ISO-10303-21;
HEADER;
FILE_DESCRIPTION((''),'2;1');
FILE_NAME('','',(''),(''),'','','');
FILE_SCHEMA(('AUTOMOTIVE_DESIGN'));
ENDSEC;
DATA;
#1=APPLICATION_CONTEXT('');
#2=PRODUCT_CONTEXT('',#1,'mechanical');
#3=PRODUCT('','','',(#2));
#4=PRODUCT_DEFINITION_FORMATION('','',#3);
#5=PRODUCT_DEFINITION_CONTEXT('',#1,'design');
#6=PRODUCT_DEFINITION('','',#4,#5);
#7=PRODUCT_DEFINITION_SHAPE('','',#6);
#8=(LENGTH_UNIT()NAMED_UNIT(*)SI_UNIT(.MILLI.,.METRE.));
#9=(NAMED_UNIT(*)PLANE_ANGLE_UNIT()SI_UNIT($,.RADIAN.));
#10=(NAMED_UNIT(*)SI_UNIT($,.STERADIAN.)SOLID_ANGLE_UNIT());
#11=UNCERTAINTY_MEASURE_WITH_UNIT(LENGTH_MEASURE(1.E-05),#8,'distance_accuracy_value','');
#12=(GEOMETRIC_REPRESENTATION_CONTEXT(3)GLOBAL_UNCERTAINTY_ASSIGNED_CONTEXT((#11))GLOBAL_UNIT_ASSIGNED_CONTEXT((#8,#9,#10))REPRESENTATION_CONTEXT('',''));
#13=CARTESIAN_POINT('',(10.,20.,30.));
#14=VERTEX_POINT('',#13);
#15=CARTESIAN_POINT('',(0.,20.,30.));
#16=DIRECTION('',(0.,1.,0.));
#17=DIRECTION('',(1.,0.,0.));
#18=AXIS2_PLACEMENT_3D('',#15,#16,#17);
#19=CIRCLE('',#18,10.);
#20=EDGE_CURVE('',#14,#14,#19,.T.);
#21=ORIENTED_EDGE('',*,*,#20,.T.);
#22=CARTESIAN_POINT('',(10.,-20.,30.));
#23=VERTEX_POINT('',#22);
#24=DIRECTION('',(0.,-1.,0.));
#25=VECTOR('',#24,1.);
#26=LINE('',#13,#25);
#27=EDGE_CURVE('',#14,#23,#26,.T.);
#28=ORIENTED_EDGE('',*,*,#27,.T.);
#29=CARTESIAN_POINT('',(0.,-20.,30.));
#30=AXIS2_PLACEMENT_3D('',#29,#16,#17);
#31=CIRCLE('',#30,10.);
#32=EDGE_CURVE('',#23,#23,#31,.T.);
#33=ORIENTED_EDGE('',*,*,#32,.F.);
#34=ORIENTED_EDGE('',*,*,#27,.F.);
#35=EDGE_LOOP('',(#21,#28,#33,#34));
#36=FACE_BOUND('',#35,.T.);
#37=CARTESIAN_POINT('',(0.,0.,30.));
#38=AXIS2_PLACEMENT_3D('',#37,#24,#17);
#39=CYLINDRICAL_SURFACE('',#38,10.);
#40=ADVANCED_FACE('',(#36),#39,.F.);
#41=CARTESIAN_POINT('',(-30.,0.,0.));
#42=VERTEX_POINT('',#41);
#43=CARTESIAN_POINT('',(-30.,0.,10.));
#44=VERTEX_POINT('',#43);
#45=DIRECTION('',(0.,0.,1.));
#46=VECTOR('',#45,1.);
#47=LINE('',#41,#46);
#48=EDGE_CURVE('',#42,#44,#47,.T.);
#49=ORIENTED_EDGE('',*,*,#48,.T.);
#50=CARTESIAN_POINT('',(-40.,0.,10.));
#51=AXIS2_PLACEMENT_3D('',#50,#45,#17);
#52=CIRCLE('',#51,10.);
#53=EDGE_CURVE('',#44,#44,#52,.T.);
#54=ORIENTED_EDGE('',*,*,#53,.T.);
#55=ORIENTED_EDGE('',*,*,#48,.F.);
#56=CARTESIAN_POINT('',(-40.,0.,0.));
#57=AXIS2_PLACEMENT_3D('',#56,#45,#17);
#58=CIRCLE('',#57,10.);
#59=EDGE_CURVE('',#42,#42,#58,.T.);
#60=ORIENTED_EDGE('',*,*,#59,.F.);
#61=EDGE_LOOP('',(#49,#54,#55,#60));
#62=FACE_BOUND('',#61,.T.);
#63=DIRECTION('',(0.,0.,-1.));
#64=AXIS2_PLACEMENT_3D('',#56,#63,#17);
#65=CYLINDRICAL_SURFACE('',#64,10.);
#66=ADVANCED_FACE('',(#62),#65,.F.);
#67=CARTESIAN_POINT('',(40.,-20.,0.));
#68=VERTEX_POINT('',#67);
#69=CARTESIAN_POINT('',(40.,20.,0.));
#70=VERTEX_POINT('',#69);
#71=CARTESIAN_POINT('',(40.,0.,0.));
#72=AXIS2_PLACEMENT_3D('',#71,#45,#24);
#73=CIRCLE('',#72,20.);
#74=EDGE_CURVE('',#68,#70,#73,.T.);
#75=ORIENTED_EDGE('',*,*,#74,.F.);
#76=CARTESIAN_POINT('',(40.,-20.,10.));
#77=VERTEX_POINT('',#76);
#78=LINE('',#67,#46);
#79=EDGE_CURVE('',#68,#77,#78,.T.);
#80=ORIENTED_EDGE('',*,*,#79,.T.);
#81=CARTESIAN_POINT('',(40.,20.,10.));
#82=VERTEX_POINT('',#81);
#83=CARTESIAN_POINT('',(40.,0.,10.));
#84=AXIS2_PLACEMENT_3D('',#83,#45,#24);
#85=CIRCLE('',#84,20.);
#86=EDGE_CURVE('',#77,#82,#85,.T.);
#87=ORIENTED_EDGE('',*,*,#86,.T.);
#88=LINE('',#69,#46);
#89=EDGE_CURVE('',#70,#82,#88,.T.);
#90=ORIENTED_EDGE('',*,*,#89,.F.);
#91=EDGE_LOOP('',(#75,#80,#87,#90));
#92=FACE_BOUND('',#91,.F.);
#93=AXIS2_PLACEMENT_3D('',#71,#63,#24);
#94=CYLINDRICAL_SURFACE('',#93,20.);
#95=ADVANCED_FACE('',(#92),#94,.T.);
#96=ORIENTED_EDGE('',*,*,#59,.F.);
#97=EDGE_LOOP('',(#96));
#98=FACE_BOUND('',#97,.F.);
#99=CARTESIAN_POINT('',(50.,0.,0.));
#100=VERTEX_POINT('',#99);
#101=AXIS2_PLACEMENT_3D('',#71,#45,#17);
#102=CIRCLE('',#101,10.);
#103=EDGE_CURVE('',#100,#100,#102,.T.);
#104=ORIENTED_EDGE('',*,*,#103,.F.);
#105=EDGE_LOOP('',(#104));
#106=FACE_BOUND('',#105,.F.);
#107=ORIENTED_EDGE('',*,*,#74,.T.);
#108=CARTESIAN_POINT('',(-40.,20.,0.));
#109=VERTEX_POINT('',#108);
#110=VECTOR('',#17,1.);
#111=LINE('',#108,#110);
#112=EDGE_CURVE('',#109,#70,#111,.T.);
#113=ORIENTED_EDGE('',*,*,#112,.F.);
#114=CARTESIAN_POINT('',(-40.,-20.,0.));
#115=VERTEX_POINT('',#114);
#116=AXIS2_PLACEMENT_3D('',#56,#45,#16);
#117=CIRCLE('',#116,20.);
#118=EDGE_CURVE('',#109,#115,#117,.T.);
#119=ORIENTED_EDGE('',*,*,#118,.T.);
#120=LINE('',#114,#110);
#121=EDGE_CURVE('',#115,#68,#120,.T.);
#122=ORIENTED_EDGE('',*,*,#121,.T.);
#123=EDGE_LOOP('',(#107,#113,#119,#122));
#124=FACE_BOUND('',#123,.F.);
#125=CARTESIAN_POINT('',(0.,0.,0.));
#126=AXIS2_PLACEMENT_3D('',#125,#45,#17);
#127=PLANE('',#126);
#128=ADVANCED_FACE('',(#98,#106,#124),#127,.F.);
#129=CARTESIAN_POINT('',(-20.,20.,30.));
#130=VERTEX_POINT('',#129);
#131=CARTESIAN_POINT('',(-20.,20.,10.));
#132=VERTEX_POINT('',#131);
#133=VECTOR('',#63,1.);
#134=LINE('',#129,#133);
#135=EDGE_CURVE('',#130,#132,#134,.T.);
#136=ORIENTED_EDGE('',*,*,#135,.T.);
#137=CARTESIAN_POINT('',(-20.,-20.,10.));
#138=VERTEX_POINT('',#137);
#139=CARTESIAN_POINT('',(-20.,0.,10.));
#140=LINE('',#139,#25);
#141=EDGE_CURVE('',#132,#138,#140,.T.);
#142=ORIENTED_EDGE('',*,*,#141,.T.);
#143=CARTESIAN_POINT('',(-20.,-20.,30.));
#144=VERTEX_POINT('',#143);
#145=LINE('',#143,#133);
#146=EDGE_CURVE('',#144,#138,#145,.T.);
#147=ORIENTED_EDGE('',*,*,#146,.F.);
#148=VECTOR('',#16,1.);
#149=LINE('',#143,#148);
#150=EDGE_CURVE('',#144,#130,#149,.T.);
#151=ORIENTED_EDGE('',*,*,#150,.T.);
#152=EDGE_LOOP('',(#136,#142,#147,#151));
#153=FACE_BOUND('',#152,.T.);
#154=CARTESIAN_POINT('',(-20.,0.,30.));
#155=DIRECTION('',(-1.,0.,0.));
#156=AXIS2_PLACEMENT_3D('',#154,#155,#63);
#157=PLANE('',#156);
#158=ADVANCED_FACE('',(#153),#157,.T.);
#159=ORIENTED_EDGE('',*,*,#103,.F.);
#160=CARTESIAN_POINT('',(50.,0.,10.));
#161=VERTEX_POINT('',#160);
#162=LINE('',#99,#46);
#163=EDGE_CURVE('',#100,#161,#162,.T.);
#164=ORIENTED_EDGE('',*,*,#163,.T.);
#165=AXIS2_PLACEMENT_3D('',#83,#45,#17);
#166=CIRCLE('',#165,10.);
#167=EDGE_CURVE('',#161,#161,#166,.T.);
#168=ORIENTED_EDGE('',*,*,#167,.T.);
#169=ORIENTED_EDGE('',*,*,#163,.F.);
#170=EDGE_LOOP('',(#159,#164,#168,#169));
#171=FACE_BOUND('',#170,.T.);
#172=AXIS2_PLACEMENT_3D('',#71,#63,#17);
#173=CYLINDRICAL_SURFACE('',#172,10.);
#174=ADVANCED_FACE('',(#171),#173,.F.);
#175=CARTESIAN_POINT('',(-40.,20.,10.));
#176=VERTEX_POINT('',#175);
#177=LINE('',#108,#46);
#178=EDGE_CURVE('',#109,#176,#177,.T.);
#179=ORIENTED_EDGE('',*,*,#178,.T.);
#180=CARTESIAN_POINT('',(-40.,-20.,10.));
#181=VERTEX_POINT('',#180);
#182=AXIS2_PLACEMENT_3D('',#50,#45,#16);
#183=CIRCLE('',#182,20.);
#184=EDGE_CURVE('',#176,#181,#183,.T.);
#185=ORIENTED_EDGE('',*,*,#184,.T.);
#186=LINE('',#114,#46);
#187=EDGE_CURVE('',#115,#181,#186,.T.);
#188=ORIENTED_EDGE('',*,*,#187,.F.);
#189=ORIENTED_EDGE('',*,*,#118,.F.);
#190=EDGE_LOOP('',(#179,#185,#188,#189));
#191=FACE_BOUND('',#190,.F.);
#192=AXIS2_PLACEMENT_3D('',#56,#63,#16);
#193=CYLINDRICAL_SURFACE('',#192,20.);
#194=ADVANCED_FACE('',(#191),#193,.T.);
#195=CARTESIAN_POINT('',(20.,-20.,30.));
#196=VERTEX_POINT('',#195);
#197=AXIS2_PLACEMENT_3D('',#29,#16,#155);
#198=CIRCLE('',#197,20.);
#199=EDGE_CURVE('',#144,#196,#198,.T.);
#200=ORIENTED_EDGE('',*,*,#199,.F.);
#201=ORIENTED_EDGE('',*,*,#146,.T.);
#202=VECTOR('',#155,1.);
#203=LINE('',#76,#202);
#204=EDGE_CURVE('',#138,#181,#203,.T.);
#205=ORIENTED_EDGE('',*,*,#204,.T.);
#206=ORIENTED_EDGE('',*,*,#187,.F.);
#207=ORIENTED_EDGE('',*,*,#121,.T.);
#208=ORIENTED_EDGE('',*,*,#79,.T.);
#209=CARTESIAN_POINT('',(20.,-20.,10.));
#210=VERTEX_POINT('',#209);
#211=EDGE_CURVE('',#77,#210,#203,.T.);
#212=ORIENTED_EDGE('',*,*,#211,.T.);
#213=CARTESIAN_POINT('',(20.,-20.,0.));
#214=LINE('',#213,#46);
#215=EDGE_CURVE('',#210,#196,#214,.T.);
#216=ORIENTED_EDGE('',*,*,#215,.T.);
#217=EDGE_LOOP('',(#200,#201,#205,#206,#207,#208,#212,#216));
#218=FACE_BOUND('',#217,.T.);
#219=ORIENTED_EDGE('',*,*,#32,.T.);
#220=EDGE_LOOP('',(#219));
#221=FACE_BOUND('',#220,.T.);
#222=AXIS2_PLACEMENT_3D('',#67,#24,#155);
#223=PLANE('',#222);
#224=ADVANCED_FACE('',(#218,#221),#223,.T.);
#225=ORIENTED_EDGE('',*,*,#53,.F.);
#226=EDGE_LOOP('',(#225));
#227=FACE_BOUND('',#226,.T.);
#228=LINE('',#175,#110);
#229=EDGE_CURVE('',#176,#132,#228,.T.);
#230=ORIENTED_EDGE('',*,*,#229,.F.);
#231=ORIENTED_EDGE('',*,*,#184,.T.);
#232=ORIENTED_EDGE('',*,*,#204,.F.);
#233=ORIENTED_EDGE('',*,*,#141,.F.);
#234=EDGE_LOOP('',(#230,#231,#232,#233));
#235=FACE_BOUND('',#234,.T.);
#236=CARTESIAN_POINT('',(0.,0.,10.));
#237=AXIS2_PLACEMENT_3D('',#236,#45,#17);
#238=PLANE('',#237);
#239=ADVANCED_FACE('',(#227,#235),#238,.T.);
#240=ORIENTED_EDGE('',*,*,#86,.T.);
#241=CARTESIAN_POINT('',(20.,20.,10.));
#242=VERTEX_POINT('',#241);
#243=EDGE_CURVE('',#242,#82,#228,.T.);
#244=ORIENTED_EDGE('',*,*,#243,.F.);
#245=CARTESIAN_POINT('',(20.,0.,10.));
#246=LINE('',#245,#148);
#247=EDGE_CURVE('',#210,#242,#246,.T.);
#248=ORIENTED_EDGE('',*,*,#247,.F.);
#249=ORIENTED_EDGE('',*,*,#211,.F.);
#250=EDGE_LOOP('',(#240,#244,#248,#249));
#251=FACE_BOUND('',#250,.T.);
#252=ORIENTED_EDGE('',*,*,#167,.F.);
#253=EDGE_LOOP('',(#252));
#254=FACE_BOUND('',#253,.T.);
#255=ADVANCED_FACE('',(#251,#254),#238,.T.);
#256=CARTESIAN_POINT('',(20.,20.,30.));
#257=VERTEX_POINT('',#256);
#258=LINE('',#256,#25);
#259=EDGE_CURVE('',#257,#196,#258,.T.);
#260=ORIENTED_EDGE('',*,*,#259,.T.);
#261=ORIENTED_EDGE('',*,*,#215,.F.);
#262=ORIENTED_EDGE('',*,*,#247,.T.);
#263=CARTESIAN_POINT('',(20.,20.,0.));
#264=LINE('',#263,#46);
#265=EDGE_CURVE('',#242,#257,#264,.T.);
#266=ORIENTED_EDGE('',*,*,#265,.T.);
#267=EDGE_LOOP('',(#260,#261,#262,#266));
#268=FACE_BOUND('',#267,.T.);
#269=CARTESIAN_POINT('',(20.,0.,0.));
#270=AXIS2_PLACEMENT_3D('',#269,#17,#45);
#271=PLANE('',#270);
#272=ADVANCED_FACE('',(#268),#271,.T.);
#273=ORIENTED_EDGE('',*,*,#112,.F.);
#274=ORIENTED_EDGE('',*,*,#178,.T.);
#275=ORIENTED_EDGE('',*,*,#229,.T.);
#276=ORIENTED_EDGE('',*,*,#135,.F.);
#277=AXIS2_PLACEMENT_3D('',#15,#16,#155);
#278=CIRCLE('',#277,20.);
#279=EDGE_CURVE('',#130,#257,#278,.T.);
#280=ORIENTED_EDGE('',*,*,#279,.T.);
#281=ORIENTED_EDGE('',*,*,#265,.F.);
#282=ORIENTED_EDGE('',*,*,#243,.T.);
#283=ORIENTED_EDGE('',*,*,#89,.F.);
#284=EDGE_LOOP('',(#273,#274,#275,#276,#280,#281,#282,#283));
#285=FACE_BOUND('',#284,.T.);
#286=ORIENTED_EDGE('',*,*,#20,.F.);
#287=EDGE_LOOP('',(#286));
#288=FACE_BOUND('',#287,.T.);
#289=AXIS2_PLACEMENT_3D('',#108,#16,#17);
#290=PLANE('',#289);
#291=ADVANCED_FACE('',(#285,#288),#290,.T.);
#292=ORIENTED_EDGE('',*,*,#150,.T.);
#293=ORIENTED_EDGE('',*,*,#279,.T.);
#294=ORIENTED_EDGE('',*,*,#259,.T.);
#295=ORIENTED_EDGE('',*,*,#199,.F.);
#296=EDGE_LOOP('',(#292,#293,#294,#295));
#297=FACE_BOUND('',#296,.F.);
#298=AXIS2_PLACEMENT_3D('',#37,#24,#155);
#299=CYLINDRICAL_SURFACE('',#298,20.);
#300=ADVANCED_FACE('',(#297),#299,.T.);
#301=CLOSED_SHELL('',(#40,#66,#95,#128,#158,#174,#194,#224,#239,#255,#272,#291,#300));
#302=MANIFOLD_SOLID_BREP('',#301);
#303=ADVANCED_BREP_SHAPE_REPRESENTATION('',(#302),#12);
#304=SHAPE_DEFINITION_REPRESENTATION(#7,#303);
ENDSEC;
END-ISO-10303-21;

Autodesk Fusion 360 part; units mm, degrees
sketch "Sketch1" plane through (0, 0, 0) normal (0, 0, 1) x (1, 0, 0)
  line L0 (40, -20) -> (-40, -20)
  line L1 (-40, 20) -> (40, 20)
  circle A0 centre (40, 0) radius 10
  circle A1 centre (-40, 0) radius 10
  arc A2 (40, -20) -> (40, 20) centre (40, 0) ccw
  arc A3 (-40, 20) -> (-40, -20) centre (-40, 0) ccw
  dimension "d1" = 80
  dimension "d2" = 40
  dimension "d5" = 40
  dimension "d6" = 40
extrude "Extrude1" add sketch "Sketch1" along normal blind 10
sketch "Sketch2" plane through (0, 0, 0) normal (0, 1, 0) x (1, 0, 0)
  line L0 (-20, 0) -> (20, 0)
  line L1 (20, 0) -> (20, -30)
  line L2 (-20, -30) -> (-20, 0)
  line L3 (-40, 0) -> (-40, -10)
  circle A0 centre (0, -30) radius 10
  arc A1 (-20, -30) -> (20, -30) centre (0, -30) ccw
  dimension "d11" = 40
  dimension "d12" = 30
  dimension "d13" = 20
  dimension "d14" = 20
  dimension "d15" = 20
extrude "Extrude2" add sketch "Sketch2" along normal mid plane 40
